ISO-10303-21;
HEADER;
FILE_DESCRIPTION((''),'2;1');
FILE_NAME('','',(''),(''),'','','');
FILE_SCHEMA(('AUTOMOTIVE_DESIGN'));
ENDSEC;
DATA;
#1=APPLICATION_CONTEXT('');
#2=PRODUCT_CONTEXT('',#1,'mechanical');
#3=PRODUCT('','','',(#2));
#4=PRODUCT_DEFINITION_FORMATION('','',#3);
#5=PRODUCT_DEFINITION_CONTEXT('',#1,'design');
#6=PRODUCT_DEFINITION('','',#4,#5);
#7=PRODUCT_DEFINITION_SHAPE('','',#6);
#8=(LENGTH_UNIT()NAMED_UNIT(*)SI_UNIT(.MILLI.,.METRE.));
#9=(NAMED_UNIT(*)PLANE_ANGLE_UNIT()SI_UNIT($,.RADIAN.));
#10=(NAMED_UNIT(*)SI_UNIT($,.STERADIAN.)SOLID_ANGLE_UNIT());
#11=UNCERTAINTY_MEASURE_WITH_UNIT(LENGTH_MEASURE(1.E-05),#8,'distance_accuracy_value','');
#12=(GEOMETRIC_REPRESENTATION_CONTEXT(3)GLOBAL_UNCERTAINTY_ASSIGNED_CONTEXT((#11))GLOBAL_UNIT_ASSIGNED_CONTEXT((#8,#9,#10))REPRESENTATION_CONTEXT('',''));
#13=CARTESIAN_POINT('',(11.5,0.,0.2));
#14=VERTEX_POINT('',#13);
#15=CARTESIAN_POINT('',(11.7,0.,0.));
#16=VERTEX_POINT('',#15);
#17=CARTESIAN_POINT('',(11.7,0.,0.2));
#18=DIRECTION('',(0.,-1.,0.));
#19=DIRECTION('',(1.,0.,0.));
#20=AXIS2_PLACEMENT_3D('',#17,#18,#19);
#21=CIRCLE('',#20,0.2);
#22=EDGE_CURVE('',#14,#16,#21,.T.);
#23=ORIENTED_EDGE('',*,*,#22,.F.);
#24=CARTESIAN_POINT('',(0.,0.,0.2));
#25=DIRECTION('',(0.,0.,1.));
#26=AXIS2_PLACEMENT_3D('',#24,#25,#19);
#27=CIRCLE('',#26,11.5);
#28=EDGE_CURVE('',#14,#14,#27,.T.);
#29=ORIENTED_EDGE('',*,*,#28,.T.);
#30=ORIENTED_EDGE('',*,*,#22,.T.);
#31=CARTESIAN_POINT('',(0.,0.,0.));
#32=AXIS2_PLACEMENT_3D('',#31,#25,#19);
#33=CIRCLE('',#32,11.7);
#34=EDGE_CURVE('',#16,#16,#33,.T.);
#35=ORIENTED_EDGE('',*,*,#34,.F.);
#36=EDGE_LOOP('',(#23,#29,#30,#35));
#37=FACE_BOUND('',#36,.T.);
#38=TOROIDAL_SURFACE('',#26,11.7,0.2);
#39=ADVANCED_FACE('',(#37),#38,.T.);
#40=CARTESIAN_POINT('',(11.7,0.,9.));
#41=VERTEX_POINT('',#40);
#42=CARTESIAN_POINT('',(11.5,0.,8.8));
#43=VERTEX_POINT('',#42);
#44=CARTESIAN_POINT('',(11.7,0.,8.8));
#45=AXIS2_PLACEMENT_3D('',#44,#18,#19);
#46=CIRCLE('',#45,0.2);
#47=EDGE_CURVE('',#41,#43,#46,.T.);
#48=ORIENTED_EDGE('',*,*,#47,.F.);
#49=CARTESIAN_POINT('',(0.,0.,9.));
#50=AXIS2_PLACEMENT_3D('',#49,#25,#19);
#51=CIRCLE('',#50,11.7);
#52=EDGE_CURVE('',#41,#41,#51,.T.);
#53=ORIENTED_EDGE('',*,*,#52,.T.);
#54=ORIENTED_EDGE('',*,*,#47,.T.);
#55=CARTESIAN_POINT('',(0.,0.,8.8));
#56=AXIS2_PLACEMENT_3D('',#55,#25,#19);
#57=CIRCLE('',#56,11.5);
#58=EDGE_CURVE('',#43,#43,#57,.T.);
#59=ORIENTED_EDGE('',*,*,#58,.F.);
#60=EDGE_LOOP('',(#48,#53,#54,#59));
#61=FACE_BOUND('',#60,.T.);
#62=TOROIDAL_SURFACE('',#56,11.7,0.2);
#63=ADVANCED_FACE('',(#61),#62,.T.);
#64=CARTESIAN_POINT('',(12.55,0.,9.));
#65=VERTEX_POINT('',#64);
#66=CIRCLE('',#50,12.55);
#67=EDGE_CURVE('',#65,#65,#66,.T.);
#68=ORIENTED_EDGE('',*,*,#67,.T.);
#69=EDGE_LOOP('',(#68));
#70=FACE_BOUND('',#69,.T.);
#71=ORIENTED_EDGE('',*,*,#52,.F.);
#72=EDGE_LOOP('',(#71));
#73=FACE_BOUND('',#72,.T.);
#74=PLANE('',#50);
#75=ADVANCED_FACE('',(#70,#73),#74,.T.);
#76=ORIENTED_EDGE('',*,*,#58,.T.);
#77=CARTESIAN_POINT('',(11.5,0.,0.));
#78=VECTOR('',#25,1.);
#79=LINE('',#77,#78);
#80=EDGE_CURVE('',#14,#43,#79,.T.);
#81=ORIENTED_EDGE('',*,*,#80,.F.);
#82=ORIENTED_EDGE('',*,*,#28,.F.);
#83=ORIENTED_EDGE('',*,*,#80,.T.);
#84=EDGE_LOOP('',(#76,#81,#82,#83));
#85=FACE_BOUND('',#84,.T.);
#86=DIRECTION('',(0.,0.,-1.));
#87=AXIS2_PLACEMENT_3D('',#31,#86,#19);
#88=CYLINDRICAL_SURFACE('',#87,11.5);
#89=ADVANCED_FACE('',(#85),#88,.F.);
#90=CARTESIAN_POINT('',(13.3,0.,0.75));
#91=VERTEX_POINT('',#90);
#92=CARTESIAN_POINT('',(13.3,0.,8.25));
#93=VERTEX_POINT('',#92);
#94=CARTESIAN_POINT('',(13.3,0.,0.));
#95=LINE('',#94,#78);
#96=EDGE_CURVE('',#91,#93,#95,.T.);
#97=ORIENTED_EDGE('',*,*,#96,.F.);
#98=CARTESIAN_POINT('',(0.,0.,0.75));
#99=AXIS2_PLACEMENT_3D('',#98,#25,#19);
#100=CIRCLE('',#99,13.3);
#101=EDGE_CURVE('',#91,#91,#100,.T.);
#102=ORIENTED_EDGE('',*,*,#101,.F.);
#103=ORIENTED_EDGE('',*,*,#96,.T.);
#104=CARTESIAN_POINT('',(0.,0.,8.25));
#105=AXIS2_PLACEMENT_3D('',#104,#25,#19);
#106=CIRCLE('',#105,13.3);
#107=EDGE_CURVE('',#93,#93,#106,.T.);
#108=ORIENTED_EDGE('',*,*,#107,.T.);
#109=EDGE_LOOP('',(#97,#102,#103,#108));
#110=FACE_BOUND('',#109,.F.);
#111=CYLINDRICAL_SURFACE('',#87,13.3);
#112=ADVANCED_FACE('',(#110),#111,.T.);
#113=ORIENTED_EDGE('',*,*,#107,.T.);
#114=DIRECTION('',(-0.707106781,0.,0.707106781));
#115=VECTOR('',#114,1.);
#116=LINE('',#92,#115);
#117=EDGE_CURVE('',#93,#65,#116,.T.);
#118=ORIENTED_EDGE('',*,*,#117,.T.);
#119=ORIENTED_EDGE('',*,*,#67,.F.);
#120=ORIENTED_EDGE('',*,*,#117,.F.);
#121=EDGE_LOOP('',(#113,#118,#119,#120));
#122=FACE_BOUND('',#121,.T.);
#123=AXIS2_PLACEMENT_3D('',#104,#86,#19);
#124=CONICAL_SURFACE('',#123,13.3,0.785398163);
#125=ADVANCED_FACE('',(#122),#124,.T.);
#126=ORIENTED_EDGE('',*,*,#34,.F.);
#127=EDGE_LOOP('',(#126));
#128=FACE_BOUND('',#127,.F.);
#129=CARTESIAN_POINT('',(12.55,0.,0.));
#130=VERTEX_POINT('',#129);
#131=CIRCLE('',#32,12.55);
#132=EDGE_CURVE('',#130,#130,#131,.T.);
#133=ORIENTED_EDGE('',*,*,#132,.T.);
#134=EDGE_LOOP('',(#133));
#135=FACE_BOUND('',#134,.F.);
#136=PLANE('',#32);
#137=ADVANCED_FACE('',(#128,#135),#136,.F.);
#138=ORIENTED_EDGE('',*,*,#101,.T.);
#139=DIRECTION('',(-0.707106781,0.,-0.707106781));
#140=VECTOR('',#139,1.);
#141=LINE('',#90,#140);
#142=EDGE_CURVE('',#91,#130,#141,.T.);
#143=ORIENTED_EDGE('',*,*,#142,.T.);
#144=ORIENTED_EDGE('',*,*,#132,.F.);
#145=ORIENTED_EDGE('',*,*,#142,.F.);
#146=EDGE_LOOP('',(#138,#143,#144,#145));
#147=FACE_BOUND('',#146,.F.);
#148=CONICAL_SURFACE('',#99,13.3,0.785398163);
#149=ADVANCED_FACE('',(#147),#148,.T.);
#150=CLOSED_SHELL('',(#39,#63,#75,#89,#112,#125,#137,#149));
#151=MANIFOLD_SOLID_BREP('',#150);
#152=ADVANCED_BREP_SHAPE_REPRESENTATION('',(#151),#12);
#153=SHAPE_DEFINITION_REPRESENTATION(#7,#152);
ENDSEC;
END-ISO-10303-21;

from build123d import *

# Parameters (mm, degrees)
F0_R     = 13.3
F0_R_2   = 11.5
F1_DEPTH = 9
F2_SIZE  = 0.75
F3_R     = 0.2
F4_R     = 0.2


with BuildPart() as f1:
    # F0 (on Top) → F1 (new body)
    with BuildSketch(Plane.XY):
        Circle(F0_R)
        Circle(F0_R_2, mode=Mode.SUBTRACT)
    extrude(amount=F1_DEPTH)

    # F2
    f2_edges = [f1.edges().sort_by_distance(p)[0] for p in [
        (-13.3, 0, 9),
        (-13.3, 0, 0),
    ]]
    chamfer(f2_edges, length=F2_SIZE)

    # F3
    f3_edges = [f1.edges().sort_by_distance(p)[0] for p in [
        (-11.5, 0, 9),
    ]]
    fillet(f3_edges, radius=F3_R)

    # F4
    f4_edges = [f1.edges().sort_by_distance(p)[0] for p in [
        (11.5, 0, 4.4),
        (-11.5, 0, 8.8),
        (-11.5, 0, 0),
    ]]
    fillet(f4_edges, radius=F4_R)


solid = f1.part
